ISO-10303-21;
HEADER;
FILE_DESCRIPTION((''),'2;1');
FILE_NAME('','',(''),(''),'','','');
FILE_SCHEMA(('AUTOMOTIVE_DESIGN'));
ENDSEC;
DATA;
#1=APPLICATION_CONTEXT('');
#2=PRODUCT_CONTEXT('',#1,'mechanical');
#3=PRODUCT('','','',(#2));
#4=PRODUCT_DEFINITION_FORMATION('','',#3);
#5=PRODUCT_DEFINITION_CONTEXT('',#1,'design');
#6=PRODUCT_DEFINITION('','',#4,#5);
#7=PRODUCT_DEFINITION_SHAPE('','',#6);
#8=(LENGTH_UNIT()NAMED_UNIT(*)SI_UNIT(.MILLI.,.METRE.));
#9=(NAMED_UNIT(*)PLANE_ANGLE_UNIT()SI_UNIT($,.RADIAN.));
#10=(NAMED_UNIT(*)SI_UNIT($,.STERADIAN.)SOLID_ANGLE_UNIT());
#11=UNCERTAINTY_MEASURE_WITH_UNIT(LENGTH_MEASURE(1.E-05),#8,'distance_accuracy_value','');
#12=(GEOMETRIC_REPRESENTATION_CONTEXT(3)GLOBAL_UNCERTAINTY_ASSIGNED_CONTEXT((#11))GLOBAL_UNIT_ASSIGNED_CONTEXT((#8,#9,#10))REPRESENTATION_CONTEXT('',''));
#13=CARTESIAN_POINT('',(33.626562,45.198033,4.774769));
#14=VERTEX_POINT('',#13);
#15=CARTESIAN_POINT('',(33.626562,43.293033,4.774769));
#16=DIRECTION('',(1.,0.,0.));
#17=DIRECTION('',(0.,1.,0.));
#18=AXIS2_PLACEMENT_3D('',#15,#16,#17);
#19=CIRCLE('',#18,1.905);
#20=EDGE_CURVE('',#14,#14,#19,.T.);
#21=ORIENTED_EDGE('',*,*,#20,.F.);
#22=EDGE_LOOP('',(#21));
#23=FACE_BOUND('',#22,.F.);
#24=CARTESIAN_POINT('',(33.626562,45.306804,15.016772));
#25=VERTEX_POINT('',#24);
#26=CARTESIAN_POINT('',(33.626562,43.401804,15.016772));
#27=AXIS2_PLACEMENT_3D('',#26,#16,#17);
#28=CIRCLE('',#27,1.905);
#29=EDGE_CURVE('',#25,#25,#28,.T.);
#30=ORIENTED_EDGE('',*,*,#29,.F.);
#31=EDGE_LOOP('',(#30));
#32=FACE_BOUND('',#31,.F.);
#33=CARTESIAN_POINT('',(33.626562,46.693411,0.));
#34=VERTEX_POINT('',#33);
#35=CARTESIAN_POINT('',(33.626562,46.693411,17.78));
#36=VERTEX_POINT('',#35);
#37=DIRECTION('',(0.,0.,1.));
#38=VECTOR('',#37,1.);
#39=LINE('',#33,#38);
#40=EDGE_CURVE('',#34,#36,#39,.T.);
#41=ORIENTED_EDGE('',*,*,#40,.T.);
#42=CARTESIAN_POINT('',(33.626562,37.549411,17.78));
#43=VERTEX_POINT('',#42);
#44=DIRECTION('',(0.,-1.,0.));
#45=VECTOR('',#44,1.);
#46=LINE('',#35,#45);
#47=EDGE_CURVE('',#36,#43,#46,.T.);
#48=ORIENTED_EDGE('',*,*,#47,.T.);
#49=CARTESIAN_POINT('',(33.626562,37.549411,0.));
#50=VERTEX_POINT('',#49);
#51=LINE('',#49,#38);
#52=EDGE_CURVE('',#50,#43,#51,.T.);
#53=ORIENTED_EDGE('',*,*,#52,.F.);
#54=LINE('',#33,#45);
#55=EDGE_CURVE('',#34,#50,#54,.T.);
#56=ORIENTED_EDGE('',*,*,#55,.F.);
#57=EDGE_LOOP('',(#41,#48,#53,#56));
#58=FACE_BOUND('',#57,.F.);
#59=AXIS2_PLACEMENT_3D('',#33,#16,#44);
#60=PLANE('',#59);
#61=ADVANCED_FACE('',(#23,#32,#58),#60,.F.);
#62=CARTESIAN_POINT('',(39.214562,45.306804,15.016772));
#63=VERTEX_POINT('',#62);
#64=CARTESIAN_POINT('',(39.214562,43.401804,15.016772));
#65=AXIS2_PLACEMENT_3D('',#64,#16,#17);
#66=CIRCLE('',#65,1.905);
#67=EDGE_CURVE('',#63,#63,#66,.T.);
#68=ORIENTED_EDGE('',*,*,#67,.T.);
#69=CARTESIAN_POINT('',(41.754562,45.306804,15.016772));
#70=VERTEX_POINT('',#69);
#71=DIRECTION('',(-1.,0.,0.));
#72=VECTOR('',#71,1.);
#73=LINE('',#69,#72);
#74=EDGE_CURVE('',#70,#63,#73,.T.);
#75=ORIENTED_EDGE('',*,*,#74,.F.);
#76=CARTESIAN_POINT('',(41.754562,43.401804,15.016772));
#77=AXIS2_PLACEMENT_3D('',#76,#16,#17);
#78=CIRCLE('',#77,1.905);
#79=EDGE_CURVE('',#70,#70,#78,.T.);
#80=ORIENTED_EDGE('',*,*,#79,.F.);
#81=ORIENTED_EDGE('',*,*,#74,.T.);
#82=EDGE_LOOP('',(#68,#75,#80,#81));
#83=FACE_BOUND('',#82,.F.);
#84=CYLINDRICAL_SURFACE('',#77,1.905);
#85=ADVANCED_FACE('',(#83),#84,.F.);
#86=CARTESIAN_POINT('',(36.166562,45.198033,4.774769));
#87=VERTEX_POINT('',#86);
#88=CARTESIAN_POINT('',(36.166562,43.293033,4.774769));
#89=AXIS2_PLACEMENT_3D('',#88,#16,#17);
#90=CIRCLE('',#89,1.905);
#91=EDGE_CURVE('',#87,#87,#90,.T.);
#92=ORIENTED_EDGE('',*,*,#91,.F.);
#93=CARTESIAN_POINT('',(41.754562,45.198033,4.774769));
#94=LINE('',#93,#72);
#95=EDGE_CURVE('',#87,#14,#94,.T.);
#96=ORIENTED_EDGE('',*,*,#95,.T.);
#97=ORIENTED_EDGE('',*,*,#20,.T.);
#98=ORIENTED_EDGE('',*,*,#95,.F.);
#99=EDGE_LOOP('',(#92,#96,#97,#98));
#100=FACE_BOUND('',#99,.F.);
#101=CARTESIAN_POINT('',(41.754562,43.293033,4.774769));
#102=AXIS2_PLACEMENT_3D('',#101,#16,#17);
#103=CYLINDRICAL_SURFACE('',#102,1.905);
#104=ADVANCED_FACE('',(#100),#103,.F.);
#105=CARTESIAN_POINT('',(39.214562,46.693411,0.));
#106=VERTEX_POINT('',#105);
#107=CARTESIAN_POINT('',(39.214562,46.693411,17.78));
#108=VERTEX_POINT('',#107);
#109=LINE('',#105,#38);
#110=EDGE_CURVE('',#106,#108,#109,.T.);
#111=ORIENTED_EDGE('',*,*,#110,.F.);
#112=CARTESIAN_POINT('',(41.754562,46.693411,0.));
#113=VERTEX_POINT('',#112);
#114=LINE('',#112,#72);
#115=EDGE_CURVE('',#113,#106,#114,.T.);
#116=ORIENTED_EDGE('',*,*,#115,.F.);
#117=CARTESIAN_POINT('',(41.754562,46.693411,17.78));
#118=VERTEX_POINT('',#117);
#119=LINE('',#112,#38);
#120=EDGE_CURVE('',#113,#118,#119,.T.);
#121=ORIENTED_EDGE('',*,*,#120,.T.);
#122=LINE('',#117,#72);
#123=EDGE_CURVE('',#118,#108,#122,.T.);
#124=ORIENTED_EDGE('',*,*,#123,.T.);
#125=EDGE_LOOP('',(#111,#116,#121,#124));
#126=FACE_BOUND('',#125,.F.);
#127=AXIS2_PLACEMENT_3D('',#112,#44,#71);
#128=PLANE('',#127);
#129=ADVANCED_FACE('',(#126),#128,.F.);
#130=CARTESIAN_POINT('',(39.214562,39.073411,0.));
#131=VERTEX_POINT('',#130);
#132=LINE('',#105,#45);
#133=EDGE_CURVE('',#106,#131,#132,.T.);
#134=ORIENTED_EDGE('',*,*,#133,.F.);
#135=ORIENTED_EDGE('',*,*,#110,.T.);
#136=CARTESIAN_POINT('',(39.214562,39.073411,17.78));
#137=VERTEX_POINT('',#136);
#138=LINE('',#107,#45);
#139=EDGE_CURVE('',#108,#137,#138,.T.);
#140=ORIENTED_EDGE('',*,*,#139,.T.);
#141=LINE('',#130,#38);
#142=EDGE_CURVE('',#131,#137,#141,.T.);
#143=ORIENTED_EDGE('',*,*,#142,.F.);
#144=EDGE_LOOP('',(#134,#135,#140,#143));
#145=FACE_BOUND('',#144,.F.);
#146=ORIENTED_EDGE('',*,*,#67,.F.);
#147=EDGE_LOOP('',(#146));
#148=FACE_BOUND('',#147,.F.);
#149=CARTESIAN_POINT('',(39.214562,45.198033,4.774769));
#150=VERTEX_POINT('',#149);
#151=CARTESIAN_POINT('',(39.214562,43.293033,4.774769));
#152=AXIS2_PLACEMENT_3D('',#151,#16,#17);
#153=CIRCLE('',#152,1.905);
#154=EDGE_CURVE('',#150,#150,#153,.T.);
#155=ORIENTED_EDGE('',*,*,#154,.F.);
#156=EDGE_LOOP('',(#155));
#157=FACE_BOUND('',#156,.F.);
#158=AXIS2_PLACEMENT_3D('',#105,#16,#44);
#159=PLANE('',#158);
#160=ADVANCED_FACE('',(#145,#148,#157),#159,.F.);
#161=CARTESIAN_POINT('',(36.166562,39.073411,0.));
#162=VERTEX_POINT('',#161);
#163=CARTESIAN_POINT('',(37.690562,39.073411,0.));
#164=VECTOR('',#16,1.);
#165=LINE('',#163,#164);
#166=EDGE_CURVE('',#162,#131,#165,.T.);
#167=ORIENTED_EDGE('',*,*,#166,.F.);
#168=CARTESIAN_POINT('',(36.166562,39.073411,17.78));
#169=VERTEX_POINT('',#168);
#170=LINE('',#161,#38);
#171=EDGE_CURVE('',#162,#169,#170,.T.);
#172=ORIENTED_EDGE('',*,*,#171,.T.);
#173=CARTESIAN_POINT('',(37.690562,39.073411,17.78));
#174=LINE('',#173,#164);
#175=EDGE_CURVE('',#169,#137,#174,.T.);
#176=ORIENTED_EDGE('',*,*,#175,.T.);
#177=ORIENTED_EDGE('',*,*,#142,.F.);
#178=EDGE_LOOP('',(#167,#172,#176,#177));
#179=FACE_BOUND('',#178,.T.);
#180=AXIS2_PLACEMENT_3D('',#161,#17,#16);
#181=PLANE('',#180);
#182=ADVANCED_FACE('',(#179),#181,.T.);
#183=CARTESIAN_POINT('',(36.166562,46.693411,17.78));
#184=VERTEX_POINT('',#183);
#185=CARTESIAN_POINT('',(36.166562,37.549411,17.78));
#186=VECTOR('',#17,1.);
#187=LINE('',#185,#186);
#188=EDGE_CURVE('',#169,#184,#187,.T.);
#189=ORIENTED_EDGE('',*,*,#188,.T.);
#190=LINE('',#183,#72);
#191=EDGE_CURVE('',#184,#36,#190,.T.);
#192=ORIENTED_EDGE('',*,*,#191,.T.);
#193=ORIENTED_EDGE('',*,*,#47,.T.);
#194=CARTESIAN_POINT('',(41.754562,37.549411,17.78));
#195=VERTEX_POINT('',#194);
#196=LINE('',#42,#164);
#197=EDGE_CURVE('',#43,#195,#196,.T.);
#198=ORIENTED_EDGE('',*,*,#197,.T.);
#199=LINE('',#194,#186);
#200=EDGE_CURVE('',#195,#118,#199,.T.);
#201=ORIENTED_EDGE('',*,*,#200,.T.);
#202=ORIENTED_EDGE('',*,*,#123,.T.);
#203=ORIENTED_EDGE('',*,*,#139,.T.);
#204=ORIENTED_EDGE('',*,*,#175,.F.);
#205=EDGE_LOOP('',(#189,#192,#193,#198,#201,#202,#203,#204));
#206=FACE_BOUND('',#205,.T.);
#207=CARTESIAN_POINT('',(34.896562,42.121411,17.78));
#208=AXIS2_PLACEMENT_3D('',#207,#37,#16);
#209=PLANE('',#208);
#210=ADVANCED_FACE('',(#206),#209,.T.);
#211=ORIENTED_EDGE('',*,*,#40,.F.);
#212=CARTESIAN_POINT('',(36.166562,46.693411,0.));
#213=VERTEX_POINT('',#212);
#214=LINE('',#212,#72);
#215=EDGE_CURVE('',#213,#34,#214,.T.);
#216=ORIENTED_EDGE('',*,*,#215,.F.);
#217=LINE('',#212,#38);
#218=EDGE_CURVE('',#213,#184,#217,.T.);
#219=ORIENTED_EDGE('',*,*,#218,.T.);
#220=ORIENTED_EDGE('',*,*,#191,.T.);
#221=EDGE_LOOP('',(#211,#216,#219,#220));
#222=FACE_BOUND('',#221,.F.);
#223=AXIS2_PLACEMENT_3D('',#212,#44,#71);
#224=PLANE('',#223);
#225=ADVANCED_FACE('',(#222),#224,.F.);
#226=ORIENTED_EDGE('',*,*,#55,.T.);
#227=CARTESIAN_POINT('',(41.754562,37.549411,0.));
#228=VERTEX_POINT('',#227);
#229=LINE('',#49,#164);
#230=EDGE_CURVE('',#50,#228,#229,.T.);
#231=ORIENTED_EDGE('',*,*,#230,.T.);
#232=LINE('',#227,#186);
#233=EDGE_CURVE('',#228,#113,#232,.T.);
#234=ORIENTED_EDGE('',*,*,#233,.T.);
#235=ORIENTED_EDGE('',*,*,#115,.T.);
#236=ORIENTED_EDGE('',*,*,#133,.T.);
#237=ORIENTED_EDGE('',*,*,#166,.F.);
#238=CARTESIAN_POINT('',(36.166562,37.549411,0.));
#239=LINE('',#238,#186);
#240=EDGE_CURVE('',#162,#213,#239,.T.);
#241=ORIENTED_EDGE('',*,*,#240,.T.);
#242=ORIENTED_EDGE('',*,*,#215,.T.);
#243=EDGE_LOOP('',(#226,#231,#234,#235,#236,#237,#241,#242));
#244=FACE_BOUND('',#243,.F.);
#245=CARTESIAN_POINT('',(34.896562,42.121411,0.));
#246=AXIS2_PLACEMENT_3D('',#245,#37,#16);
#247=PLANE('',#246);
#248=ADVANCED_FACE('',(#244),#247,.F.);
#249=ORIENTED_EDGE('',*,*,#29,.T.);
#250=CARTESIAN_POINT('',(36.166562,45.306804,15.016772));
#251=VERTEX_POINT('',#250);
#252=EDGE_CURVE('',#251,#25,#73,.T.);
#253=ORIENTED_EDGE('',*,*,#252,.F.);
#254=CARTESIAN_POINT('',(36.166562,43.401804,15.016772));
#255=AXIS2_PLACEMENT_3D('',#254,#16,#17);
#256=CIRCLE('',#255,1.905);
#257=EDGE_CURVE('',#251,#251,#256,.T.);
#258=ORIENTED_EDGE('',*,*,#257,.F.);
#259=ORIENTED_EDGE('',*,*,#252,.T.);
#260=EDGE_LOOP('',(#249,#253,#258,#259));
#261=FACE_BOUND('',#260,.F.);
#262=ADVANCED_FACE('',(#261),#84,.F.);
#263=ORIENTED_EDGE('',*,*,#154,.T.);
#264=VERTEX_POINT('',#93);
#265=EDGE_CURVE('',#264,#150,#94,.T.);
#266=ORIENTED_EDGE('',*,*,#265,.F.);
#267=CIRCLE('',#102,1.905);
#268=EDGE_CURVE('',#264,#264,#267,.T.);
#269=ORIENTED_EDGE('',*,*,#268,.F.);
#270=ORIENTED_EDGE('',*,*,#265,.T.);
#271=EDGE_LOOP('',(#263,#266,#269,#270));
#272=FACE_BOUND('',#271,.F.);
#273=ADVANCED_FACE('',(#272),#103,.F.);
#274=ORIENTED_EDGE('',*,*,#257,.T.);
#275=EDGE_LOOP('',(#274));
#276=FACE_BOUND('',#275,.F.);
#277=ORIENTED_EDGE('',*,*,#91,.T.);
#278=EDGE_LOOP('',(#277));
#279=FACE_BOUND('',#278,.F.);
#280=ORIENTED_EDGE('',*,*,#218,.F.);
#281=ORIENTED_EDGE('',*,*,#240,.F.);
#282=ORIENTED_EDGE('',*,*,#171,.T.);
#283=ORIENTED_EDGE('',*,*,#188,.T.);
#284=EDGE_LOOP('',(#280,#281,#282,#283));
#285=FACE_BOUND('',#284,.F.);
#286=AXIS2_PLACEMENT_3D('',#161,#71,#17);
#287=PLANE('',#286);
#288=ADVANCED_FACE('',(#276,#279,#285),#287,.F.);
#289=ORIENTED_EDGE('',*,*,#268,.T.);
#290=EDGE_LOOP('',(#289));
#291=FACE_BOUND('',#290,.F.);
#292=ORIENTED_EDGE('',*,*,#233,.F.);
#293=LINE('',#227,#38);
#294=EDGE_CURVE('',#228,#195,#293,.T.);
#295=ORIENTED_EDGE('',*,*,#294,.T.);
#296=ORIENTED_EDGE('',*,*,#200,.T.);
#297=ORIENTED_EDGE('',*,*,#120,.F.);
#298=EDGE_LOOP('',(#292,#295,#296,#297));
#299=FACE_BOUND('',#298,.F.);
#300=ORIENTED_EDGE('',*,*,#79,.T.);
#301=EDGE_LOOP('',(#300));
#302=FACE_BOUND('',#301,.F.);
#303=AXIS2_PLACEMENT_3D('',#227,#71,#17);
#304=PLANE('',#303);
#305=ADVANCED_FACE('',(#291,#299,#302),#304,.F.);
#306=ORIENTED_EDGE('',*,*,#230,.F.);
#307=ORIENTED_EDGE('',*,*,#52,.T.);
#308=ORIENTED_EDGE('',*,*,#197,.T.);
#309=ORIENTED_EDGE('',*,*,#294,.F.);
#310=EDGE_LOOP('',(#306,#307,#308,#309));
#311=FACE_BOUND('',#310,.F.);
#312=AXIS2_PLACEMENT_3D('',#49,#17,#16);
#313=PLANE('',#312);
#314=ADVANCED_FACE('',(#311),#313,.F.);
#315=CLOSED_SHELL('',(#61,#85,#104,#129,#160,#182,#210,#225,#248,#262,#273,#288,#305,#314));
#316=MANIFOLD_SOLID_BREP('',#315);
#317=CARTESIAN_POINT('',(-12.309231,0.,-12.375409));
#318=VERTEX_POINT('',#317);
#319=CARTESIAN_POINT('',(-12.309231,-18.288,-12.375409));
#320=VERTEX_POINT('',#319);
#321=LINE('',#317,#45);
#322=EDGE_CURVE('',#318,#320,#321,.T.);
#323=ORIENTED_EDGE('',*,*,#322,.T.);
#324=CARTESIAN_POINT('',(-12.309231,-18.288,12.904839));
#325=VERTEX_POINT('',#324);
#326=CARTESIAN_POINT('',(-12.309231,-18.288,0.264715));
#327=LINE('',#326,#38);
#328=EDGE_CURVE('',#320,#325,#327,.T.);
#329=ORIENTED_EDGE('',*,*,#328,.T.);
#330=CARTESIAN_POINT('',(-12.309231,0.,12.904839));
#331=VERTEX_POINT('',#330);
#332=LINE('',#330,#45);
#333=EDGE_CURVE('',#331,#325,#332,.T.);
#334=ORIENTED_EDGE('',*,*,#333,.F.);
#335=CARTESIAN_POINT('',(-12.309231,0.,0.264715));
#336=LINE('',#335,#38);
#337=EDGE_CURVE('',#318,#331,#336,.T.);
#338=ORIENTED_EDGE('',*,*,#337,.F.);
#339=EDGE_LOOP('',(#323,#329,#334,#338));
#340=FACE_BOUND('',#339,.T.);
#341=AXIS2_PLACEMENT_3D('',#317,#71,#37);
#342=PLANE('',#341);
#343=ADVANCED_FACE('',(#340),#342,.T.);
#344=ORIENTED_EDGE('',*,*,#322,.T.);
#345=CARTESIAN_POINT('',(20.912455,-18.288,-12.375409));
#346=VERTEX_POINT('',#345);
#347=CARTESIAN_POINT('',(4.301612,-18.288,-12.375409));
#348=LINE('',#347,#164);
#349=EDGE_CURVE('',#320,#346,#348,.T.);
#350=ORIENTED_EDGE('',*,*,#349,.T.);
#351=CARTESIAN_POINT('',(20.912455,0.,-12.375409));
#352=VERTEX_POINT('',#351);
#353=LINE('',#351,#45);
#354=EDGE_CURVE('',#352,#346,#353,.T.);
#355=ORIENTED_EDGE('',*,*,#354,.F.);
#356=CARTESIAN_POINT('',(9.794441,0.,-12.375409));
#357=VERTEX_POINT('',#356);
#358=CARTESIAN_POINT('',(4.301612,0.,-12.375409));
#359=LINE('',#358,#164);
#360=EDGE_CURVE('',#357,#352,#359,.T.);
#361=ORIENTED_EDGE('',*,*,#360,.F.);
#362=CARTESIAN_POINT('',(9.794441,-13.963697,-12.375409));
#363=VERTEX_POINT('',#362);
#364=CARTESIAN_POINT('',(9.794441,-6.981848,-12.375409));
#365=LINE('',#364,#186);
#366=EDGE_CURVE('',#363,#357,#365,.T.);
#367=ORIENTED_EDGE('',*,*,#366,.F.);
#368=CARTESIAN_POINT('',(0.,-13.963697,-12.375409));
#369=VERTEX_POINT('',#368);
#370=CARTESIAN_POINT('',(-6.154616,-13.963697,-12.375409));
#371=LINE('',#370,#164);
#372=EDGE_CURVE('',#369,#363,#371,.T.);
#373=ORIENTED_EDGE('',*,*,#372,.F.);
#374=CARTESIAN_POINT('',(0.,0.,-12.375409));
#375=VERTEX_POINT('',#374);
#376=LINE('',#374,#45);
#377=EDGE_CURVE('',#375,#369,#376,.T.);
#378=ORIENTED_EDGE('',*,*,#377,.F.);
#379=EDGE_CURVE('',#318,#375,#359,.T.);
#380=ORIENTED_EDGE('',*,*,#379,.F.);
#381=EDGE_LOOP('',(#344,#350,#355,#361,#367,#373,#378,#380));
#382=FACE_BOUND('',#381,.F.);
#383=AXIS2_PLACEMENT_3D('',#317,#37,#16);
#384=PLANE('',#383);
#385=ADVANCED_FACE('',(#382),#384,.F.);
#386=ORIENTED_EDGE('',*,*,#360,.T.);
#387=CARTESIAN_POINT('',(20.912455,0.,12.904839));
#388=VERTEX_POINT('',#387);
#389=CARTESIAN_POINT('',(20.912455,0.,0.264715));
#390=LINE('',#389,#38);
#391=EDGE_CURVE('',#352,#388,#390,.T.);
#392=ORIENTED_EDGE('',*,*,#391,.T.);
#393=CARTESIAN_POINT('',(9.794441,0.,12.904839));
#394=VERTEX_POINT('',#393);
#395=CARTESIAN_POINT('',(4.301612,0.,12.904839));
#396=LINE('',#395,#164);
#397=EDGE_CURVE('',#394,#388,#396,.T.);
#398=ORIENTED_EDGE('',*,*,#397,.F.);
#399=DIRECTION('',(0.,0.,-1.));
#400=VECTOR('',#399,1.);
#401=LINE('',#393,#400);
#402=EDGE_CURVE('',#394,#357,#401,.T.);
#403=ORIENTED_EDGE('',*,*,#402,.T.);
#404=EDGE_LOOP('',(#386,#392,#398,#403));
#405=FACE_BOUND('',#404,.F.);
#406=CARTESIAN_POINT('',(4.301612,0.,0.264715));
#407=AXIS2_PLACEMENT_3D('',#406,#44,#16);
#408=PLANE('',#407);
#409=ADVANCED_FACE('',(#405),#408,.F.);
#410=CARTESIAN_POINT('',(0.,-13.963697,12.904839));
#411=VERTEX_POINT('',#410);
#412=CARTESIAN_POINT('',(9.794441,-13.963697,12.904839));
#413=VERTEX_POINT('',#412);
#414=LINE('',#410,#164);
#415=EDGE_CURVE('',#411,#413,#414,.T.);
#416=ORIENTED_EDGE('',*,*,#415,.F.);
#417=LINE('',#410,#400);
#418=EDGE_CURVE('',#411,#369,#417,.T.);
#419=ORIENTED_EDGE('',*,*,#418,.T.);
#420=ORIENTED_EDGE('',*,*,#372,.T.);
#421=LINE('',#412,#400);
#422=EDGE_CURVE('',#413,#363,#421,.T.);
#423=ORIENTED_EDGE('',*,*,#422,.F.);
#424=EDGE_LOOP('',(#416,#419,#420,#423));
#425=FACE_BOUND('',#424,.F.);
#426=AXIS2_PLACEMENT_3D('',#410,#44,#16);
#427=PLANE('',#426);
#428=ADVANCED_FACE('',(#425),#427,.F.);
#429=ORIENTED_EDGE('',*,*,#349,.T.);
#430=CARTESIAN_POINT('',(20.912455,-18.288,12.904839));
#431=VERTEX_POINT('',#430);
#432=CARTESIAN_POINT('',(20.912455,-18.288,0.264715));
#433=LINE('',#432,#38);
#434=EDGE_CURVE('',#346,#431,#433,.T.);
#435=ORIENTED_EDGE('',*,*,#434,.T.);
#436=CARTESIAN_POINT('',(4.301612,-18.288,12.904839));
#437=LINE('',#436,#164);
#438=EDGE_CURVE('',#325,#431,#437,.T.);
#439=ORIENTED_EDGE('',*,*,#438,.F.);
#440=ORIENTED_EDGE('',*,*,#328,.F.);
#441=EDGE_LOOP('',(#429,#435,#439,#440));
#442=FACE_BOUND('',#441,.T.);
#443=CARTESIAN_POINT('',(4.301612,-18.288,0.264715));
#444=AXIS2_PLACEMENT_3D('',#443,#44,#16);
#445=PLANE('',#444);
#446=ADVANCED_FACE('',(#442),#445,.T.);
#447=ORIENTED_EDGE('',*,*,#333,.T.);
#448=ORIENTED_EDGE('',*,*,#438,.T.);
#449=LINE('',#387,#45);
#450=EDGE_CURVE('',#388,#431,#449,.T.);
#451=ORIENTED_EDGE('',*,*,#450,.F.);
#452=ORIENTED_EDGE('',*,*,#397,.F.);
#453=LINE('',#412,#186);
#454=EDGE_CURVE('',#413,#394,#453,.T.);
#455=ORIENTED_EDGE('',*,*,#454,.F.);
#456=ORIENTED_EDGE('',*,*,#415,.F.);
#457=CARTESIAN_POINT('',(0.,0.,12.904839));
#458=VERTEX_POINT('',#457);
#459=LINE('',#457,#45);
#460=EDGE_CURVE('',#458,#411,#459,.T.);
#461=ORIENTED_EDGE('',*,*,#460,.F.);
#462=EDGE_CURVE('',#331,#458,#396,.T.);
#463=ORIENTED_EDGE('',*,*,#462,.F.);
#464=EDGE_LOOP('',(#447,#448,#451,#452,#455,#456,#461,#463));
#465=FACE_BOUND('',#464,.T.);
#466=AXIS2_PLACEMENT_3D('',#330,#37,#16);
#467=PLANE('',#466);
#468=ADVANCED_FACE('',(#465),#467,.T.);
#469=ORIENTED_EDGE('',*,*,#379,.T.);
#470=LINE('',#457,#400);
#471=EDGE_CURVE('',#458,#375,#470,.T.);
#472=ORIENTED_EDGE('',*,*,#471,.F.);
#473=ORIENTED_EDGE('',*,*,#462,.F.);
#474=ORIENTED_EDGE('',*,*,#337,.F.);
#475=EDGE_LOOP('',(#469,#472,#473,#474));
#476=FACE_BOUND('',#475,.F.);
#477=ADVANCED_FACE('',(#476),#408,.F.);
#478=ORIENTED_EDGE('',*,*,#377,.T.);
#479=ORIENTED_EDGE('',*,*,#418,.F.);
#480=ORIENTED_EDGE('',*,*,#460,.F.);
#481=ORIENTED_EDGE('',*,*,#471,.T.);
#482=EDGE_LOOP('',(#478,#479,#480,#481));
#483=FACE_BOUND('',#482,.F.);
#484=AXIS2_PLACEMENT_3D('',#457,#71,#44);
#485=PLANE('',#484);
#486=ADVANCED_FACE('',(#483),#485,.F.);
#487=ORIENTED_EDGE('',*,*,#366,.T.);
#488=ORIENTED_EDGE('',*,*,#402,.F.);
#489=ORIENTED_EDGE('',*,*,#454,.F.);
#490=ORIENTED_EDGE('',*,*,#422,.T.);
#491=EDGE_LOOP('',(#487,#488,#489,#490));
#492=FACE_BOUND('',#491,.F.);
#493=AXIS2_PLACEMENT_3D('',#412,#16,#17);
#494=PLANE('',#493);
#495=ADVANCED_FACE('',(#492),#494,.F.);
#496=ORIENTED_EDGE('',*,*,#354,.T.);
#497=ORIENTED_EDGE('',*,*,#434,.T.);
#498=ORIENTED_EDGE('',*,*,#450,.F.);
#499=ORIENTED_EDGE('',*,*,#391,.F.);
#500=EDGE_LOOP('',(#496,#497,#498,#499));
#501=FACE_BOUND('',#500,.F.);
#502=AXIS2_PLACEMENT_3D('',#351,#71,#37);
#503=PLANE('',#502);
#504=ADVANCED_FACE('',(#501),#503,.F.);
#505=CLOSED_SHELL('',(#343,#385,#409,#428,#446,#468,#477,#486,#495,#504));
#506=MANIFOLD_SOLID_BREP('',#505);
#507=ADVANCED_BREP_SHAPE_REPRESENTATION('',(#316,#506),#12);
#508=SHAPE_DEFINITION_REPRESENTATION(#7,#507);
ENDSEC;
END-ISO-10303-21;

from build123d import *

# Parameters (mm, degrees)
F0_W     = 33.221686
F0_H     = 25.280248
F1_DEPTH = 18.288
F3_DEPTH = 25.4
F4_W     = 3.048
F4_H     = 1.524
F5_DEPTH = 17.78
F6_R     = 1.905
F7_DEPTH = 25.4


with BuildPart() as f1:
    # F0 (on Front) → F1 (new body)
    with BuildSketch(Plane.XZ):
        with Locations((4.301612, 0.264715)):
            Rectangle(F0_W, F0_H)
    extrude(amount=F1_DEPTH)

    # F2 (on face) → F3 (cut)
    with BuildSketch(Plane.XY.offset(12.904839)):
        Polygon((9.794441, 0), (0, 0), (0, -2.580968), (0, -13.963697), (9.794441, -13.963697), align=None)
    extrude(amount=-F3_DEPTH, mode=Mode.SUBTRACT)


with BuildPart() as f5:
    # F4 (on Top) → F5 (new body)
    with BuildSketch(Plane.XY):
        Polygon((36.166562, 46.693411), (33.626562, 46.693411), (33.626562, 37.549411), (36.166562, 37.549411), (36.166562, 39.073411), align=None)
        with Locations((37.690562, 38.311411)):
            Rectangle(F4_W, F4_H)
        Polygon((39.214562, 46.693411), (39.214562, 39.073411), (39.214562, 37.549411), (41.754562, 37.549411), (41.754562, 46.693411), align=None)
    extrude(amount=F5_DEPTH)

    # F6 (on face) → F7 (cut)
    with BuildSketch(Plane.YZ.offset(41.754562)):
        with Locations((43.401804, 15.016772)):
            Circle(F6_R)
        with Locations((43.293033, 4.774769)):
            Circle(F6_R)
    extrude(amount=-F7_DEPTH, mode=Mode.SUBTRACT)


solid = Compound([f1.part, f5.part])
